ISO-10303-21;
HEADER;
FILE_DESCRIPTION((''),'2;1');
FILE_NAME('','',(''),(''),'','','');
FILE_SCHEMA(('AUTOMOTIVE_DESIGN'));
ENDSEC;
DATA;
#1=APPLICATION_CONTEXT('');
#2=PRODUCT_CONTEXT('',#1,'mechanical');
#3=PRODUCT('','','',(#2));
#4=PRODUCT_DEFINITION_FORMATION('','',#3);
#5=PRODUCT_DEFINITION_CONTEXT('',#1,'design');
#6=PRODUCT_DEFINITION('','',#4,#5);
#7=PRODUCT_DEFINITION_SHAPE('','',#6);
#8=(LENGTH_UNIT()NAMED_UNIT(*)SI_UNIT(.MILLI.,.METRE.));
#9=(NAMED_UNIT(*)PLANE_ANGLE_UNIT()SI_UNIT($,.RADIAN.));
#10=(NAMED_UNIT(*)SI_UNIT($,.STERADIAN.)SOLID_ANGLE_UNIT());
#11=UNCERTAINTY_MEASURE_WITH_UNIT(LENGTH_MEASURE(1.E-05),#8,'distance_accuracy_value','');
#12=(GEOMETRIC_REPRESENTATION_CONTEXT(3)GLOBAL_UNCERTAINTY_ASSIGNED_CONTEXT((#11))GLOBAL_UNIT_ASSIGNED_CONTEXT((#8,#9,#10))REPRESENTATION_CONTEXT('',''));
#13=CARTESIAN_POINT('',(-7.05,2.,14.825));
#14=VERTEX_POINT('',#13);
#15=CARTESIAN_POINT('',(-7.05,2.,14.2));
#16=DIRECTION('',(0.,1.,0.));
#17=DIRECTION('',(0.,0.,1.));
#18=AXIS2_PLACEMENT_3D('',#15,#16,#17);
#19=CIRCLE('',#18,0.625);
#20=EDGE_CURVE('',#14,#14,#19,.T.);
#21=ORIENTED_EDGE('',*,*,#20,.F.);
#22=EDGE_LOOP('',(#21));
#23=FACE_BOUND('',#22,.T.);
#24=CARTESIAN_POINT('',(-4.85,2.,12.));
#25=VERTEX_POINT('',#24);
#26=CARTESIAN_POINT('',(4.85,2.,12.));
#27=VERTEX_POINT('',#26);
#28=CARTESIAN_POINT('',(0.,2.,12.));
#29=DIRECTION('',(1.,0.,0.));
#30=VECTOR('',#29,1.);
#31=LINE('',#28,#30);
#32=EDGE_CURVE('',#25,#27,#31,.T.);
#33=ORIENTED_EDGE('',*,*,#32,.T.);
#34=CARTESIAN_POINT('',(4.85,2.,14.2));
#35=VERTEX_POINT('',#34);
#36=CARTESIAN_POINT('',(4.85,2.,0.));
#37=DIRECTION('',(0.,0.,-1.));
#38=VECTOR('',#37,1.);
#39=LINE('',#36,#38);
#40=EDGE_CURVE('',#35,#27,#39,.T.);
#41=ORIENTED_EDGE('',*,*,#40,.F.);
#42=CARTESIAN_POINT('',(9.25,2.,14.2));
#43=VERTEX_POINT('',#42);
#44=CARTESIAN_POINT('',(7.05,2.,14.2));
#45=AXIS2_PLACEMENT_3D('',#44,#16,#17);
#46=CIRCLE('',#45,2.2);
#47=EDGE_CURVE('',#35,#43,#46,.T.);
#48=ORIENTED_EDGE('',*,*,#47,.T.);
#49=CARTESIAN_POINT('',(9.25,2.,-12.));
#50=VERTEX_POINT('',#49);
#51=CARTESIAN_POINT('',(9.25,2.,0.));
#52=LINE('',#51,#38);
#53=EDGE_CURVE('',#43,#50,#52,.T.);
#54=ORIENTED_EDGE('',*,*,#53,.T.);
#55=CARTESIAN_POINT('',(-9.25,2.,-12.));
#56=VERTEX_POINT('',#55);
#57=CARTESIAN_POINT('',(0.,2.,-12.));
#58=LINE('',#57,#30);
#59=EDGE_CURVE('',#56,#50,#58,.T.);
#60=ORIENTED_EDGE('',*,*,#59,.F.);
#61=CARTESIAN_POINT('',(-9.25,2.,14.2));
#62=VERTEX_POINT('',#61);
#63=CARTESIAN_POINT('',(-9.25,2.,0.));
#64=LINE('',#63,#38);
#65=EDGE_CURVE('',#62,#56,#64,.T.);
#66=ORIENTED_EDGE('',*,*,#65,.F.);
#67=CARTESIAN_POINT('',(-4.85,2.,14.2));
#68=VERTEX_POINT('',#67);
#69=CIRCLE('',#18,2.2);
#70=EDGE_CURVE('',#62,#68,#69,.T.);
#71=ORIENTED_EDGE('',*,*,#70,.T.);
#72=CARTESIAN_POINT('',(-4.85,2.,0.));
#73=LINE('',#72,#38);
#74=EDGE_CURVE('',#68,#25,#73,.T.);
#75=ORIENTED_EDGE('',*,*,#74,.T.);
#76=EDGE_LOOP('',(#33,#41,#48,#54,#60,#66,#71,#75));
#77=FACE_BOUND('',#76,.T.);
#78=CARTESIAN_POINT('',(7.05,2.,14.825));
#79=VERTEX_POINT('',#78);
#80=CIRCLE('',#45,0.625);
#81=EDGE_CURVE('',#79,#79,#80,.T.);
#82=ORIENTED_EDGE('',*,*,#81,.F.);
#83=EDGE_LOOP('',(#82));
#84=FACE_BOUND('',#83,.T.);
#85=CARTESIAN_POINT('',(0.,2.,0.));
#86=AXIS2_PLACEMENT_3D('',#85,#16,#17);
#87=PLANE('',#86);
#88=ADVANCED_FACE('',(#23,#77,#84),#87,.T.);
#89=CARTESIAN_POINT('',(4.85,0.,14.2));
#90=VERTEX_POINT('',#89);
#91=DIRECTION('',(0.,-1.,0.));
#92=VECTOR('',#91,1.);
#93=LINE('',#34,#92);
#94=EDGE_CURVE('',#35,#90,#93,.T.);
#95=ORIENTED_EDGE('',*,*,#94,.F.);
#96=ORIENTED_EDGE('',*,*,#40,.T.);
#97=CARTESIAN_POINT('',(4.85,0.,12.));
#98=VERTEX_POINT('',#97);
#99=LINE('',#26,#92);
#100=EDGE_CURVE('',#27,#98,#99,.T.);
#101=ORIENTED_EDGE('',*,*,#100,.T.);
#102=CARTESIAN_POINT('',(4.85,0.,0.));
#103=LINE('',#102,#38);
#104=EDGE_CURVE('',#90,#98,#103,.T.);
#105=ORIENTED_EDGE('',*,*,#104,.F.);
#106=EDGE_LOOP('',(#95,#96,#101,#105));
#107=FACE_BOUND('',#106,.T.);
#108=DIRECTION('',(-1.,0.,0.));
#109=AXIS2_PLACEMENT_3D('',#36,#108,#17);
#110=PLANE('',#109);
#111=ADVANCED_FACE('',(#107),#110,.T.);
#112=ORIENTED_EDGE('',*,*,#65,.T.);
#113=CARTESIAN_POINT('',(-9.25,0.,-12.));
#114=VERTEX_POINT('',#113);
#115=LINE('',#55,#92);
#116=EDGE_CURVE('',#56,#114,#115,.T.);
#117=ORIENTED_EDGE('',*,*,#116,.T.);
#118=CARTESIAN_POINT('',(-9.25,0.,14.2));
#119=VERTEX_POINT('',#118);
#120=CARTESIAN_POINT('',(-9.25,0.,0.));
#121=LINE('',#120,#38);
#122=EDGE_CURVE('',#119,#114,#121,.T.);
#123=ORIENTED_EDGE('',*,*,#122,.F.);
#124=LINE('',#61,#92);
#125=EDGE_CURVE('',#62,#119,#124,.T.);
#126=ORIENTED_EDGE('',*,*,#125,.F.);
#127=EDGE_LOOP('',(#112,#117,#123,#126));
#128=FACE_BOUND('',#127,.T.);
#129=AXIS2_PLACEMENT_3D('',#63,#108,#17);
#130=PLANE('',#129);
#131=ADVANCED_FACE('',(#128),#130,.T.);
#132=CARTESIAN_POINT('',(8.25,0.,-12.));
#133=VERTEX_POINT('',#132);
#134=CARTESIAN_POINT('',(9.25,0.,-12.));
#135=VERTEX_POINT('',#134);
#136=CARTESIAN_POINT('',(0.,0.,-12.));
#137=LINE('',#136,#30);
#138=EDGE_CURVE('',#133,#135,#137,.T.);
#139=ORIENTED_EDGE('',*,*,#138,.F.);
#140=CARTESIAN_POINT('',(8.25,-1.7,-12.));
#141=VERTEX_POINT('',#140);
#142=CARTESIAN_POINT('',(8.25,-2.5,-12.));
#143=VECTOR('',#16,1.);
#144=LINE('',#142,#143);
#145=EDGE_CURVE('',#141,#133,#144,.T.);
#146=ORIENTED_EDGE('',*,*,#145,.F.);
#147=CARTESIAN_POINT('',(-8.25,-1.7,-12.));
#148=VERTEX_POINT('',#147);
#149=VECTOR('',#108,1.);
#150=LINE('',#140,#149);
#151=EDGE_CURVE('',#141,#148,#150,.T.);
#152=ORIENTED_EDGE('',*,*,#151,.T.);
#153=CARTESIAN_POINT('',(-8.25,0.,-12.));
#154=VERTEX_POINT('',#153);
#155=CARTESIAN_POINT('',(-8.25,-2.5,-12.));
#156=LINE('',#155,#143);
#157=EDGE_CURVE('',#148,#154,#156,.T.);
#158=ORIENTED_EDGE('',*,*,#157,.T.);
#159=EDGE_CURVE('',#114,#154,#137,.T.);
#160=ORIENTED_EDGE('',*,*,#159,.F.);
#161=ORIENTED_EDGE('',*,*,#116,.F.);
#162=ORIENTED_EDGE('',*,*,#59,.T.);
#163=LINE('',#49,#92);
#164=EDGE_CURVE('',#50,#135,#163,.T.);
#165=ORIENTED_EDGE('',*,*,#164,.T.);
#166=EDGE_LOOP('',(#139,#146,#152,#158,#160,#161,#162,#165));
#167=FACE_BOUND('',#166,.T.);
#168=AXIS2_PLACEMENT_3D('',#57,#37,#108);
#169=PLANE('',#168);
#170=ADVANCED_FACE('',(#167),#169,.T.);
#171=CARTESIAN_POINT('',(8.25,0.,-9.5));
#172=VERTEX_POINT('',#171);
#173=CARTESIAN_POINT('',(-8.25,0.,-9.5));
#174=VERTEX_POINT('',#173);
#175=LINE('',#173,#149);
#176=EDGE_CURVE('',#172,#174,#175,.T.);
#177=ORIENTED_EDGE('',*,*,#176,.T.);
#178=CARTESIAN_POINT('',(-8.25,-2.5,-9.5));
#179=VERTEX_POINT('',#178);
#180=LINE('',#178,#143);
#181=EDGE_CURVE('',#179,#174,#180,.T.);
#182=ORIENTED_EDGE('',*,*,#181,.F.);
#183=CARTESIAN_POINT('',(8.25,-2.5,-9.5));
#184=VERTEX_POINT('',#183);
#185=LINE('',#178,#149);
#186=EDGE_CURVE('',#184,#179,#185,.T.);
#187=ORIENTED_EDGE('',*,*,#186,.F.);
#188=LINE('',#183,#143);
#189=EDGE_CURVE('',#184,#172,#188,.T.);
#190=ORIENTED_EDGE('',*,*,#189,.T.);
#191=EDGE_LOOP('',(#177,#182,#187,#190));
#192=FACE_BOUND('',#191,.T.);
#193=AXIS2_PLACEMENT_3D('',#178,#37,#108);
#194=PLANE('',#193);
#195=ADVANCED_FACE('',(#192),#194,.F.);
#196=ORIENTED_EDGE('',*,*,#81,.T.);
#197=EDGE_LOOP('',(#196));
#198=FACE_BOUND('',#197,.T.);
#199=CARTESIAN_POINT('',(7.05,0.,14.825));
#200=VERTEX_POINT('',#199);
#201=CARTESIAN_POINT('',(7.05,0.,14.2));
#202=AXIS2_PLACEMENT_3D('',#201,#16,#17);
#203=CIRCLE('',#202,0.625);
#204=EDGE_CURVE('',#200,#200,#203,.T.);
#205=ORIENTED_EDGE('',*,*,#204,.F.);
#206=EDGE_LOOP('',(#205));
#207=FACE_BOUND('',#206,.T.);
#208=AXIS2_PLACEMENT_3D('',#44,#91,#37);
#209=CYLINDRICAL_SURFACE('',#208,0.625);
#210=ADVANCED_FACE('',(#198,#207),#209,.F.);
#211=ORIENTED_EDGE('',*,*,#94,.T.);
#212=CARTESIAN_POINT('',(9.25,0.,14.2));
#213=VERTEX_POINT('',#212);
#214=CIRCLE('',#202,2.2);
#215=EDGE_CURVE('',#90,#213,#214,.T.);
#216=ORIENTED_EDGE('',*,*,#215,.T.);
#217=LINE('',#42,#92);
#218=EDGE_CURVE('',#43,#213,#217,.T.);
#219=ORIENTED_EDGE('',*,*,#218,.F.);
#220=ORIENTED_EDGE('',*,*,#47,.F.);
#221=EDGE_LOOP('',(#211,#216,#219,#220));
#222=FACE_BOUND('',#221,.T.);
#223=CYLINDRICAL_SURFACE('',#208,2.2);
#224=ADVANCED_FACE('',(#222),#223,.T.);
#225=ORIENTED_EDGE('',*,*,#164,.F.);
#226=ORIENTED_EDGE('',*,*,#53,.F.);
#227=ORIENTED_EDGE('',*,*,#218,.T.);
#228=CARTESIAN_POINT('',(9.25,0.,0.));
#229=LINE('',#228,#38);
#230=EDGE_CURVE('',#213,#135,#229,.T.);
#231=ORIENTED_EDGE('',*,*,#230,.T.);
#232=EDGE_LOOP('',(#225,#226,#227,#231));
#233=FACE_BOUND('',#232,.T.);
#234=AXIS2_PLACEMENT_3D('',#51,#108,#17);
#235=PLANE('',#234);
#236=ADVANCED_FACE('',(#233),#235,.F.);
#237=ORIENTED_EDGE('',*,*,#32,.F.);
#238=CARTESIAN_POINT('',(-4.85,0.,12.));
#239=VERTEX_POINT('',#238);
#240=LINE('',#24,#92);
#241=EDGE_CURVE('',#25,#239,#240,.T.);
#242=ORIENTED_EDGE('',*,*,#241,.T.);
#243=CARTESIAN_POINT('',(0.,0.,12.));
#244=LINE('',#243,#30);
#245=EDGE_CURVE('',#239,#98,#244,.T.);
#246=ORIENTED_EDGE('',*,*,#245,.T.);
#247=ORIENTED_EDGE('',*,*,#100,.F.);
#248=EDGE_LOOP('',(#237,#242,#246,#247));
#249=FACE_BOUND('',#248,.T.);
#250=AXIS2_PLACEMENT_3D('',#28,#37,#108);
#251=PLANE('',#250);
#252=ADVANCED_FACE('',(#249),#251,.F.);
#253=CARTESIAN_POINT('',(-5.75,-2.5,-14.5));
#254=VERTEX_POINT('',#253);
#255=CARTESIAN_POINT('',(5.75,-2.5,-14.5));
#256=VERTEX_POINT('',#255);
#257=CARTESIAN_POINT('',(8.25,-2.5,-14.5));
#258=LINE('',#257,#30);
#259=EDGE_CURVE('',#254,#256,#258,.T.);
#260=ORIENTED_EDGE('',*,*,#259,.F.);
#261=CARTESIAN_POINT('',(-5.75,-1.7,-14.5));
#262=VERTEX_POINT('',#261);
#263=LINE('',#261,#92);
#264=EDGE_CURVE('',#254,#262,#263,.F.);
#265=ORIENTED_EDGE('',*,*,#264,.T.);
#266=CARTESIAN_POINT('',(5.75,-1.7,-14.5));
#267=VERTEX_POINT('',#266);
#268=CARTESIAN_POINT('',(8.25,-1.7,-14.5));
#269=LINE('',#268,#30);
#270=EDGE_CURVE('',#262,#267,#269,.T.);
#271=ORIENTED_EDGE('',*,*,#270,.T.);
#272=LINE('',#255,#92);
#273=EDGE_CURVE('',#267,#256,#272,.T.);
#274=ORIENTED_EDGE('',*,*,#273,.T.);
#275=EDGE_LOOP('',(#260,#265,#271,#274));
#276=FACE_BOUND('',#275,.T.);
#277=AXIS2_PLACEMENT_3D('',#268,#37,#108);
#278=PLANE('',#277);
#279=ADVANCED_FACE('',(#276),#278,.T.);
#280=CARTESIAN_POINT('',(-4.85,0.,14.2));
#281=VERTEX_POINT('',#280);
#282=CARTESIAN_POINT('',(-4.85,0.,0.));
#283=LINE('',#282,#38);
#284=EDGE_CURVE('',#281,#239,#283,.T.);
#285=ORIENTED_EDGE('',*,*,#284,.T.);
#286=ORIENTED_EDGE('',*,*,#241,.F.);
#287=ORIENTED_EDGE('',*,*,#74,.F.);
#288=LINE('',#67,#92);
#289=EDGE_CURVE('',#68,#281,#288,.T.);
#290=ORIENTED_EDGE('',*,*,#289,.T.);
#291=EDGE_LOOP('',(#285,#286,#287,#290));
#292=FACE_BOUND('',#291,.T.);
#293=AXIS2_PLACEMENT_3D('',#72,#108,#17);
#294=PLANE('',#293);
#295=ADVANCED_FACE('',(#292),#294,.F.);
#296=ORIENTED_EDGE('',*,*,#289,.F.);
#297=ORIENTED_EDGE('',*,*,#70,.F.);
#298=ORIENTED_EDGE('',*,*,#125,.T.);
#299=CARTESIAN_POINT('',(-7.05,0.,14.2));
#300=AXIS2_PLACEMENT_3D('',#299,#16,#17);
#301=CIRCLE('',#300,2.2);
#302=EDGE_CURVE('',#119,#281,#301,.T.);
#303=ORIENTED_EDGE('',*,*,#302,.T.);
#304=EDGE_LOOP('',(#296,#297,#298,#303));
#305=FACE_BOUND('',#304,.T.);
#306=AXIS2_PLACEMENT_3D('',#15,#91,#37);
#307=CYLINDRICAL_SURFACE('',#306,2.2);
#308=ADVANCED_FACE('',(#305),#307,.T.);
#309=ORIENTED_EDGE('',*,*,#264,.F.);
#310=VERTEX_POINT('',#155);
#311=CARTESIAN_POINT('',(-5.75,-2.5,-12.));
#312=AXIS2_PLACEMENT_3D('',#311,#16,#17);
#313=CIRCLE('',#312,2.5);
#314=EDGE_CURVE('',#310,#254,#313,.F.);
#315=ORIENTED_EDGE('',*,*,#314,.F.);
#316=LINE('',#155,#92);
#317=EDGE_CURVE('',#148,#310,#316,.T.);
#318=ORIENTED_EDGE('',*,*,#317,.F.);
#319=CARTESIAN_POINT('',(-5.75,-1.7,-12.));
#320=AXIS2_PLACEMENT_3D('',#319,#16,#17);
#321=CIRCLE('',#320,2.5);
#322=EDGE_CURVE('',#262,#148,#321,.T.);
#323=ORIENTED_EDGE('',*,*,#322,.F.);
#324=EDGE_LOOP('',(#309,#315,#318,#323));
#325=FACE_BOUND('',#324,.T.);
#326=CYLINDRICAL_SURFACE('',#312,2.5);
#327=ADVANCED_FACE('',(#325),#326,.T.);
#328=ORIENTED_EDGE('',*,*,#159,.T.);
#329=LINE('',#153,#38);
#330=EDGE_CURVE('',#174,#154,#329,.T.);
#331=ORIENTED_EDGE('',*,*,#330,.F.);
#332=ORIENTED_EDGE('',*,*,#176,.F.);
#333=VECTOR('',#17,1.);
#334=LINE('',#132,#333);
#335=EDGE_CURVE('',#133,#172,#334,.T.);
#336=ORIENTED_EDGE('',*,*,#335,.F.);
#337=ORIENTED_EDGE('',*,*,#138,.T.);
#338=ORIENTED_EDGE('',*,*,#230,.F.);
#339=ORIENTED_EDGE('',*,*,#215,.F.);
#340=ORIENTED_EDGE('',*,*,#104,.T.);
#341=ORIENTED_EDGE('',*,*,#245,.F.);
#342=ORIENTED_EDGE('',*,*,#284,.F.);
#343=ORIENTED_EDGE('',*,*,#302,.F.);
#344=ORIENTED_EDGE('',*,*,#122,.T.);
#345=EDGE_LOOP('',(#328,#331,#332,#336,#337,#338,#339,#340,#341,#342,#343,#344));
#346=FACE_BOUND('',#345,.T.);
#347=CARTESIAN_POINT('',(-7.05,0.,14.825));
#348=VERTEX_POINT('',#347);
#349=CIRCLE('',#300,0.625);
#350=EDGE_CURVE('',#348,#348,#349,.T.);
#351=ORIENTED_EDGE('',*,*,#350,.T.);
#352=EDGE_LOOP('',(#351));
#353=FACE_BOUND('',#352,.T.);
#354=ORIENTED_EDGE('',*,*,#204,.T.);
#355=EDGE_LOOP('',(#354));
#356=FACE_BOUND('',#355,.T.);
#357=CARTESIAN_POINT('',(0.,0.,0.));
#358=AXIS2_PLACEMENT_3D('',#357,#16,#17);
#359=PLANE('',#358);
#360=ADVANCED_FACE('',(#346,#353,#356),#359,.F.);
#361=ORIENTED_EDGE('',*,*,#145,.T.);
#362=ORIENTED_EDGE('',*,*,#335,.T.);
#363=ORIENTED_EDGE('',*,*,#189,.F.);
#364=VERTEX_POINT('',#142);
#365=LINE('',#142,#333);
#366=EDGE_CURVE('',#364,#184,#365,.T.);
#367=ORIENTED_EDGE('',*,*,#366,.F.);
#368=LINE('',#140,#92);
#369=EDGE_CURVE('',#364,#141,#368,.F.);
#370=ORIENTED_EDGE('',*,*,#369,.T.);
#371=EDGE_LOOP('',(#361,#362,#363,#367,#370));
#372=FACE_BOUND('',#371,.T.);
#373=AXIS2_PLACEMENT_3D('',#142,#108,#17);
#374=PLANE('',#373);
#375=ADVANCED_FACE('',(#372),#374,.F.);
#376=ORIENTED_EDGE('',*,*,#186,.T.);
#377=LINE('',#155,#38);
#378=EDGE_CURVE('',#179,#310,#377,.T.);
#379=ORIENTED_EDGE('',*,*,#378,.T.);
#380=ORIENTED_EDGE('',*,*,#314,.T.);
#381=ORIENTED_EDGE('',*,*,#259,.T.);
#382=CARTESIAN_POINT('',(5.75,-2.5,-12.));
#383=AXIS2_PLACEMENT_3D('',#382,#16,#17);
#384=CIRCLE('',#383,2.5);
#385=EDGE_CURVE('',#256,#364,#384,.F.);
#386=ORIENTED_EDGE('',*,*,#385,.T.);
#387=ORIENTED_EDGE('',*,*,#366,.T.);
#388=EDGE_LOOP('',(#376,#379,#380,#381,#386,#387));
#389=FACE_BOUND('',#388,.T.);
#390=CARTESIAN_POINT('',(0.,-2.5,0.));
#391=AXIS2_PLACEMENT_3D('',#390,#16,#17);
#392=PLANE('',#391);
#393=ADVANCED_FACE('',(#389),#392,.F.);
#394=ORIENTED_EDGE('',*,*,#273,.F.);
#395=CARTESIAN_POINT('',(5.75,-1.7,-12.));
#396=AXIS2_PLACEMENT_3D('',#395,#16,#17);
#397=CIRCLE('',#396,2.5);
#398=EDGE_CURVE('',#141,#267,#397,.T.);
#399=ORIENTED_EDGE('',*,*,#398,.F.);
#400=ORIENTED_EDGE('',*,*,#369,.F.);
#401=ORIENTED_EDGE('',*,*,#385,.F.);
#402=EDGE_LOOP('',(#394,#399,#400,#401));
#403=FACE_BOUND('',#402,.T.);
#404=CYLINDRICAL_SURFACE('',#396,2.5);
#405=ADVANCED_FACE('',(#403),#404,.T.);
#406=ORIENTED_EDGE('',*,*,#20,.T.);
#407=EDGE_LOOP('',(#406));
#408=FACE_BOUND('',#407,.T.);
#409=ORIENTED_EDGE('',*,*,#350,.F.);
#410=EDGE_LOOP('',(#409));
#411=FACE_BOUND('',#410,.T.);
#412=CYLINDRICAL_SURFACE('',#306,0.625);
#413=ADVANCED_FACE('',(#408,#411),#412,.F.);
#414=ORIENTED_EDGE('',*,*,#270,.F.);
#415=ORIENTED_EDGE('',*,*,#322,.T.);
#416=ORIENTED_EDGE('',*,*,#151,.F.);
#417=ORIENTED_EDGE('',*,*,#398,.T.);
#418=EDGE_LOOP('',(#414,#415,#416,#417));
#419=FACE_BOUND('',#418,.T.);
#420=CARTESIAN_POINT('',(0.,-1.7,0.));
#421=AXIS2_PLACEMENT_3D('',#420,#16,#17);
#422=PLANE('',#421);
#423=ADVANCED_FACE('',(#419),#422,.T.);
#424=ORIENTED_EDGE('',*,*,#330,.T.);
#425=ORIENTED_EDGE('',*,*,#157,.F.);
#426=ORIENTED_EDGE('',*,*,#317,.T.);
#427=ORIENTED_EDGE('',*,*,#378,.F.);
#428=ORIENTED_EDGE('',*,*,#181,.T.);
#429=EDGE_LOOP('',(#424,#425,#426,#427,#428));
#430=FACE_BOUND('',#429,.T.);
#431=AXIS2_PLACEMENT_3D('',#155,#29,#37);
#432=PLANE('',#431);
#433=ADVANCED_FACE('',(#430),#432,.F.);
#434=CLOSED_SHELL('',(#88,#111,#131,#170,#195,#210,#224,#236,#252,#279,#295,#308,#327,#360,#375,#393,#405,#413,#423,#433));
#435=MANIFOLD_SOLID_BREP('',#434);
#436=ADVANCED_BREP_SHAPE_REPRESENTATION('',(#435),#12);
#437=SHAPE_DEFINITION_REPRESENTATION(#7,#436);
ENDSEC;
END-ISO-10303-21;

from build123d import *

# Parameters (mm, degrees)
SKETCH1_W           = 18.5
SKETCH1_H           = 24
SKETCH1_R           = 0.625
BOSS_EXTRUDE1_DEPTH = 2
SKETCH2_W           = 16.5
SKETCH2_H           = 2.5
BOSS_EXTRUDE2_DEPTH = 2.5
SKETCH3_W           = 16.5
SKETCH3_H           = 2.5
BOSS_EXTRUDE3_DEPTH = 0.8
FILLET2_R           = 2.5


with BuildPart() as part:
    # Sketch1 → Boss-Extrude1 (new body)
    with BuildSketch(Plane(origin=(0, 0, 0), x_dir=(1, 0, 0), z_dir=(0, 1, 0))):
        Rectangle(SKETCH1_W, SKETCH1_H)
        with BuildLine():
            Line((-4.85, -12), (-9.25, -12))
            Line((-9.25, -12), (-9.25, -14.2))
            ThreePointArc((-9.25, -14.2), (-7.05, -16.4), (-4.85, -14.2))
            Line((-4.85, -14.2), (-4.85, -12))
        make_face()
        with Locations((-7.05, -14.2)):
            Circle(SKETCH1_R, mode=Mode.SUBTRACT)
        with BuildLine():
            Line((9.25, -12), (4.85, -12))
            Line((4.85, -12), (4.85, -14.2))
            ThreePointArc((4.85, -14.2), (7.05, -16.4), (9.25, -14.2))
            Line((9.25, -14.2), (9.25, -12))
        make_face()
        with Locations((7.05, -14.2)):
            Circle(SKETCH1_R, mode=Mode.SUBTRACT)
    extrude(amount=BOSS_EXTRUDE1_DEPTH)

    # Sketch2 → Boss-Extrude2 (add)
    with BuildSketch(Plane.XZ):
        with Locations((0, -10.75)):
            Rectangle(SKETCH2_W, SKETCH2_H)
    extrude(amount=BOSS_EXTRUDE2_DEPTH)

    # Sketch3 → Boss-Extrude3 (add)
    with BuildSketch(Plane(origin=(0, -2.5, 0), x_dir=(-1, 0, 0), z_dir=(0, -1, 0))):
        with Locations((0, 13.25)):
            Rectangle(SKETCH3_W, SKETCH3_H)
    extrude(amount=-BOSS_EXTRUDE3_DEPTH)

    # Fillet2
    fillet2_edges = [part.edges().sort_by_distance(p)[0] for p in [
        (-8.25, -2.1, -14.5),
        (8.25, -2.1, -14.5),
    ]]
    fillet(fillet2_edges, radius=FILLET2_R)


solid = part.part
